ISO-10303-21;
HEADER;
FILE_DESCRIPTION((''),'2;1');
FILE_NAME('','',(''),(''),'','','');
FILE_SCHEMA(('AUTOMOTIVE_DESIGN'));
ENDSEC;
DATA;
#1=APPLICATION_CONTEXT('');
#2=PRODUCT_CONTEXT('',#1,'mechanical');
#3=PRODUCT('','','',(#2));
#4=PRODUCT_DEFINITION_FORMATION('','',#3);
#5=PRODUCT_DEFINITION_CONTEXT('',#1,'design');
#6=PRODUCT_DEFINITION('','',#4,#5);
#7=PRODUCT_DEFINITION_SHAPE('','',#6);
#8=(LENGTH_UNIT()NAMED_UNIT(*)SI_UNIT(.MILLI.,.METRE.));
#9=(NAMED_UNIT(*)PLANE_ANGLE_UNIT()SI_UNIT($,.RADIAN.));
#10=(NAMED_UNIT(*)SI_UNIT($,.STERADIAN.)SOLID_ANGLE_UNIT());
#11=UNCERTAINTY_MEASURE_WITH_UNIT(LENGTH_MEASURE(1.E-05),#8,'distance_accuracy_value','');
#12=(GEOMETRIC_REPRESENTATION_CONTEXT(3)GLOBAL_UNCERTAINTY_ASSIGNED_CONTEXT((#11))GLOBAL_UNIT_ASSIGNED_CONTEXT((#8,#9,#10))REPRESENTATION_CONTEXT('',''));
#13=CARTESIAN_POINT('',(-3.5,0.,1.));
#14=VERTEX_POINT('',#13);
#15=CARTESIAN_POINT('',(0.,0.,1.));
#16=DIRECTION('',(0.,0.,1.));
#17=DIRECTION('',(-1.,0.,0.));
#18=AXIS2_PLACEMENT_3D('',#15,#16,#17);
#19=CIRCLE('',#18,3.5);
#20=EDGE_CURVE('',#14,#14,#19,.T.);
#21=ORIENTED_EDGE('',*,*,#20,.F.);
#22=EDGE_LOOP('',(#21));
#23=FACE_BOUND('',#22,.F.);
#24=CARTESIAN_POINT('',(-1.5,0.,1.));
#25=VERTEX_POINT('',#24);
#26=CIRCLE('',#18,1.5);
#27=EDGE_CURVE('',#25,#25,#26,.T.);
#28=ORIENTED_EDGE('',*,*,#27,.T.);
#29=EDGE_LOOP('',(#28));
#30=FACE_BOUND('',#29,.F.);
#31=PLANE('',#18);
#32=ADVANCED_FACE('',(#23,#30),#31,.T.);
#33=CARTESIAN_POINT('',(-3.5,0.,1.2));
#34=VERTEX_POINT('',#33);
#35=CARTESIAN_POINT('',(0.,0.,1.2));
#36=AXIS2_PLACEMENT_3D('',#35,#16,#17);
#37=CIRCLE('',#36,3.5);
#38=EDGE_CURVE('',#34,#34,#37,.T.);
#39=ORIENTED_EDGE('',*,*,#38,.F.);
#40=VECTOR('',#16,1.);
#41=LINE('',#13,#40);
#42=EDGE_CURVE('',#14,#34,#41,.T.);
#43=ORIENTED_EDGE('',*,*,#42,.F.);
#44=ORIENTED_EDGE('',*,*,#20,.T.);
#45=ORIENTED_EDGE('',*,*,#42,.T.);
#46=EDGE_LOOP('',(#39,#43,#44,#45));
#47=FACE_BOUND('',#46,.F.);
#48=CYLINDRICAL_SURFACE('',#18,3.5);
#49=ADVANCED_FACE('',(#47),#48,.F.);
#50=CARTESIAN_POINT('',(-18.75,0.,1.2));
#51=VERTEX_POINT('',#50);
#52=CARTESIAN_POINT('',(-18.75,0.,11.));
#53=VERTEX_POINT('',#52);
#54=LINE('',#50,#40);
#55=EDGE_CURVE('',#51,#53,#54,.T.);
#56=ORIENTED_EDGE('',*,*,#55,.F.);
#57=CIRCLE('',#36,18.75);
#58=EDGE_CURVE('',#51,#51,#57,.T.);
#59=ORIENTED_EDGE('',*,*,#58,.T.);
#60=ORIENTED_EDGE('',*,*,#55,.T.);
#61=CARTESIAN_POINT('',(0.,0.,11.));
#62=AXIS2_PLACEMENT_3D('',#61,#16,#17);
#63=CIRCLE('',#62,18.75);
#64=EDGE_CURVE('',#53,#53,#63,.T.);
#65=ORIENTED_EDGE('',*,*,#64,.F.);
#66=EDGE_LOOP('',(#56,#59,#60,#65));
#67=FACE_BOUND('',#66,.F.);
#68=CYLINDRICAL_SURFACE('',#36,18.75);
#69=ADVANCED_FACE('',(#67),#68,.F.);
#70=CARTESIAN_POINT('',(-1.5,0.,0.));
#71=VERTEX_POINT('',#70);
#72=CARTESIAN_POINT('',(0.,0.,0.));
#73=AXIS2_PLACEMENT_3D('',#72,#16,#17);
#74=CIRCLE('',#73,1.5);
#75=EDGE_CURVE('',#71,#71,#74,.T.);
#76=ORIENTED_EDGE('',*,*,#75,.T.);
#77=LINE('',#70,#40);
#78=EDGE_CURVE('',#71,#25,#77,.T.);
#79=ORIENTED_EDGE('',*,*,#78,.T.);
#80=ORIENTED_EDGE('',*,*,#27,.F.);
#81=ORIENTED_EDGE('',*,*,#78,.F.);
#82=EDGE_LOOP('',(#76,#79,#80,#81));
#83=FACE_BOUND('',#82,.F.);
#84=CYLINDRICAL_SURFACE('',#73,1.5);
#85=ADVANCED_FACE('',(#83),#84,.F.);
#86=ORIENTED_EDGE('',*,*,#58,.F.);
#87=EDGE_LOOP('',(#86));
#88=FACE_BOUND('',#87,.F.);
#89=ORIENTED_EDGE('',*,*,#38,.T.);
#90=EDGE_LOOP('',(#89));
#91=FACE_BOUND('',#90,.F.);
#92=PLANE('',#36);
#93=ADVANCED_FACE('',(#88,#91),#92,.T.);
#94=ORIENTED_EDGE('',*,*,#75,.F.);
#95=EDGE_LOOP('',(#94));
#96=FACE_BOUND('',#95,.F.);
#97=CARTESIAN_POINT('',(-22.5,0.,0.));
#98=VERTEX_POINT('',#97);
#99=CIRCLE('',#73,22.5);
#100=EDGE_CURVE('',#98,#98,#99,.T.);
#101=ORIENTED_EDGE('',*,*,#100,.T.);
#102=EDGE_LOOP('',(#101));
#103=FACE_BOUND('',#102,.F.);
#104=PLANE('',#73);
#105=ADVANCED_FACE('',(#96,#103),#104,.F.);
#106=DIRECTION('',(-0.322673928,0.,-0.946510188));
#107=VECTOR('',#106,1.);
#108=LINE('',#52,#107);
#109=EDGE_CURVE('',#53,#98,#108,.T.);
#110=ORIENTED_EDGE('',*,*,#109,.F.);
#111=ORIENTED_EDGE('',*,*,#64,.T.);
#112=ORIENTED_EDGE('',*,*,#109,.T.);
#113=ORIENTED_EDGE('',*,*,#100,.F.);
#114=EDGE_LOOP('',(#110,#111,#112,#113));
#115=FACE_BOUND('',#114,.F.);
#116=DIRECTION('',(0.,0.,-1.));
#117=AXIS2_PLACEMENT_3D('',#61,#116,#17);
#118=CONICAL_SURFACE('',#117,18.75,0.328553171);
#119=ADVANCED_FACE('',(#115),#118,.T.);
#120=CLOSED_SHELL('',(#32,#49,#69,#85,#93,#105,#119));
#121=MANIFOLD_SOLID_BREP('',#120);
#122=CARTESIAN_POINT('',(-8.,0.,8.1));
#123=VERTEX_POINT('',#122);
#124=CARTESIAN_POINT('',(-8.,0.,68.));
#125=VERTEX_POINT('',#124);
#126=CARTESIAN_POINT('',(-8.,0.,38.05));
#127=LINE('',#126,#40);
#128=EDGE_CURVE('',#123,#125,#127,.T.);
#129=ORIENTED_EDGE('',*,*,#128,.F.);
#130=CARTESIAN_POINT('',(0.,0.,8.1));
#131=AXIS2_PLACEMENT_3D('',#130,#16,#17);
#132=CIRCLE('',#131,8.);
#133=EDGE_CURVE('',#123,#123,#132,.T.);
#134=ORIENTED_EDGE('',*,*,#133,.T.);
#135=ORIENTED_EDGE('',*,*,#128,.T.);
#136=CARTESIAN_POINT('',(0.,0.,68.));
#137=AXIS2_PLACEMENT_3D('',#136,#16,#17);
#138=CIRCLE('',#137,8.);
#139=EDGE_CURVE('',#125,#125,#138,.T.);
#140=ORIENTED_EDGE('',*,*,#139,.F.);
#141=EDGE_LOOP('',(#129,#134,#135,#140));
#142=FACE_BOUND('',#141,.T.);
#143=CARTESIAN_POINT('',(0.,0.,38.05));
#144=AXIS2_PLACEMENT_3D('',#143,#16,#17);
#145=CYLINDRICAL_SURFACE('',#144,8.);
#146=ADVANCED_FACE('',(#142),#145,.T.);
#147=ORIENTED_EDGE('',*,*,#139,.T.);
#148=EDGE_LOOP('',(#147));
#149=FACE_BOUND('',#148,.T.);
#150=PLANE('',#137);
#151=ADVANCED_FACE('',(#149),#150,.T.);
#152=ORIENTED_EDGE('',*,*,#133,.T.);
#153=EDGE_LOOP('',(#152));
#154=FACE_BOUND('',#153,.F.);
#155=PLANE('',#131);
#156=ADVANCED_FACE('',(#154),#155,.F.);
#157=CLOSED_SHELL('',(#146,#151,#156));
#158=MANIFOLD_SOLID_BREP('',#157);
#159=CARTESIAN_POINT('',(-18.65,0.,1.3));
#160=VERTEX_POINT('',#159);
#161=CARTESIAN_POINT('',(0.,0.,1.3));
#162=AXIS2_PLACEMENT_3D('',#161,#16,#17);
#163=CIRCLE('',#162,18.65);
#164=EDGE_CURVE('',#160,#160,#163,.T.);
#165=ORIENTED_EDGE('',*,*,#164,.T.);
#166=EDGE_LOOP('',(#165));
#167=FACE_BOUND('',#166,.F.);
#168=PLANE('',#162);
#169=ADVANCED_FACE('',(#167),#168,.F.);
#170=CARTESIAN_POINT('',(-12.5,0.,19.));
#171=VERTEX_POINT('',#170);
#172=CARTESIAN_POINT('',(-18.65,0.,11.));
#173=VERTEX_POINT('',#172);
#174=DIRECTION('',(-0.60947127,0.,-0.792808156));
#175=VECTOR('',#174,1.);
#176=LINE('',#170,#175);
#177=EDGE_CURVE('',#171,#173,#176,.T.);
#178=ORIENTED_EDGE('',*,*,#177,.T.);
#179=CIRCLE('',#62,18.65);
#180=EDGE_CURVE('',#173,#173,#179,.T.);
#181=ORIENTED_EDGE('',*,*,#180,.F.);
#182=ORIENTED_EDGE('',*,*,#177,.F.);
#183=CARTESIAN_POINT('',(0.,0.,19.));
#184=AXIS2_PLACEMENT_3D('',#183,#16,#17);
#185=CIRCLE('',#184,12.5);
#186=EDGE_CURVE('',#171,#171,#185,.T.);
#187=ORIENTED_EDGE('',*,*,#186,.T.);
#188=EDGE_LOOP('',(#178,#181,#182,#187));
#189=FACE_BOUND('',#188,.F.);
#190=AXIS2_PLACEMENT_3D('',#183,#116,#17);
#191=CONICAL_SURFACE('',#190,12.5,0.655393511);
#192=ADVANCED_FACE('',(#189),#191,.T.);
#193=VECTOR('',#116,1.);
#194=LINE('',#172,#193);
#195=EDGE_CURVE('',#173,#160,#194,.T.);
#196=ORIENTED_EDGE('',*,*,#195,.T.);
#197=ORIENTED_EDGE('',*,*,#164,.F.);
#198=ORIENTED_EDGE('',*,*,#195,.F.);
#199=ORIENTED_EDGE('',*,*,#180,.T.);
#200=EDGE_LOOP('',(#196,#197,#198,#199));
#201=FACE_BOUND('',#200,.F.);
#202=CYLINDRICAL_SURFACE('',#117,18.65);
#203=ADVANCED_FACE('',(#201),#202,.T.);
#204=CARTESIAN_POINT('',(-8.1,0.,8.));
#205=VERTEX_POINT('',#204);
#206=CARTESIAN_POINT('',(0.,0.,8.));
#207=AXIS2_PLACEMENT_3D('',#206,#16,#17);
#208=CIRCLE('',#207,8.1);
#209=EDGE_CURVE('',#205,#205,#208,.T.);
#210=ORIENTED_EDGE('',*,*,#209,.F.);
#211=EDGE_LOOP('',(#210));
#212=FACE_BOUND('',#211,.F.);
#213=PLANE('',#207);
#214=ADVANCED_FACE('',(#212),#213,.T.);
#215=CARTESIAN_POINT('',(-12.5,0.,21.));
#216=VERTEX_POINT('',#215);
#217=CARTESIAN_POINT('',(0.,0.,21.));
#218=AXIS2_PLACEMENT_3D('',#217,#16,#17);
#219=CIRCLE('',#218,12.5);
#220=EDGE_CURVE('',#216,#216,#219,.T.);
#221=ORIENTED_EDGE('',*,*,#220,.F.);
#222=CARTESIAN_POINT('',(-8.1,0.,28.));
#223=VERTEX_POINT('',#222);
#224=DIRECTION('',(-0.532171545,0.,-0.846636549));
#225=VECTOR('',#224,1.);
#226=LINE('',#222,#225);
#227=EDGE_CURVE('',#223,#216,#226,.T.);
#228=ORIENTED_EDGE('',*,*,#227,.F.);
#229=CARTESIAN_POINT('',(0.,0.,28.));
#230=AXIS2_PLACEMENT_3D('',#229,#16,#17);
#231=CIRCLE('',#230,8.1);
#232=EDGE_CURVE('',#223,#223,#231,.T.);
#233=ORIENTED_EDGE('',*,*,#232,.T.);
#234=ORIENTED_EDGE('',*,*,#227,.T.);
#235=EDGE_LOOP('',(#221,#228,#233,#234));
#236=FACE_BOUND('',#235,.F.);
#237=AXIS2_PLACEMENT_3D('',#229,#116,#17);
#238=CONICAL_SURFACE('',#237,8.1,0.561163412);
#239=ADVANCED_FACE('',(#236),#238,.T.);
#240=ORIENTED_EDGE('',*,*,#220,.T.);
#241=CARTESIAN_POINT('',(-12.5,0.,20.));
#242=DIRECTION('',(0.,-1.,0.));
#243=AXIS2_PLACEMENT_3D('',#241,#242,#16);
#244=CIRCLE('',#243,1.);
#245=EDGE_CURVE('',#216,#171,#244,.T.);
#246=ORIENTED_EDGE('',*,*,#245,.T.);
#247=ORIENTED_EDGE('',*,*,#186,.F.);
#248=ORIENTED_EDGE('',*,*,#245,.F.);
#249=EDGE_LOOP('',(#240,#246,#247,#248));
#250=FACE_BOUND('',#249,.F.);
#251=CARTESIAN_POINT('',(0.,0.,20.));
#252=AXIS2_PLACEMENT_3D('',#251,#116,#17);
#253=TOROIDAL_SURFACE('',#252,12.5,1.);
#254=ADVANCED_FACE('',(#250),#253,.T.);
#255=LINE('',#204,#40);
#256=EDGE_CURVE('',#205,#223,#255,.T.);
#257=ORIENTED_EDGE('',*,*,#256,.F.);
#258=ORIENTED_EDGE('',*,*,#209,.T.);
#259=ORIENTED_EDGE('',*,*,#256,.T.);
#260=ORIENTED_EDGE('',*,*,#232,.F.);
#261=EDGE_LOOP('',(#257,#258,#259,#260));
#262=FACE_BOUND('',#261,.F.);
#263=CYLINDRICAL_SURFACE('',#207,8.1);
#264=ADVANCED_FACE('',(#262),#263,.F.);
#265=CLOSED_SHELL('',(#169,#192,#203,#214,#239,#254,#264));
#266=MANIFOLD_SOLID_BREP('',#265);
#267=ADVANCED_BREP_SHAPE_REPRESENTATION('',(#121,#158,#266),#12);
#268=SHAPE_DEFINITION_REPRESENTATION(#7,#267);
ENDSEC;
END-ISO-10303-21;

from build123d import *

# Parameters (mm, degrees)
F0_W = 8
F0_H = 59.9


with BuildPart() as f1:
    # F0 (on Front) → F1 (revolve)
    with BuildSketch(Plane.XZ):
        Polygon((-22.5, 0), (-1.5, 0), (-1.5, 1), (-3.5, 1), (-3.5, 1.2), (-18.75, 1.2), (-18.75, 11), align=None)
        with BuildLine():
            Line((-18.65, 11), (-18.65, 1.3))
            Line((-18.65, 1.3), (0, 1.3))
            Line((0, 1.3), (0, 8))
            Line((0, 8), (-8.1, 8))
            Line((-8.1, 8), (-8.1, 28))
            Line((-8.1, 28), (-12.5, 21))
            ThreePointArc((-12.5, 21), (-13.5, 20), (-12.5, 19))
            Line((-12.5, 19), (-18.65, 11))
        make_face()
        with Locations((-4, 38.05)):
            Rectangle(F0_W, F0_H)
    revolve(axis=Axis((0, 0, 0.069721), (0, 0, 1)))


solid = f1.part
